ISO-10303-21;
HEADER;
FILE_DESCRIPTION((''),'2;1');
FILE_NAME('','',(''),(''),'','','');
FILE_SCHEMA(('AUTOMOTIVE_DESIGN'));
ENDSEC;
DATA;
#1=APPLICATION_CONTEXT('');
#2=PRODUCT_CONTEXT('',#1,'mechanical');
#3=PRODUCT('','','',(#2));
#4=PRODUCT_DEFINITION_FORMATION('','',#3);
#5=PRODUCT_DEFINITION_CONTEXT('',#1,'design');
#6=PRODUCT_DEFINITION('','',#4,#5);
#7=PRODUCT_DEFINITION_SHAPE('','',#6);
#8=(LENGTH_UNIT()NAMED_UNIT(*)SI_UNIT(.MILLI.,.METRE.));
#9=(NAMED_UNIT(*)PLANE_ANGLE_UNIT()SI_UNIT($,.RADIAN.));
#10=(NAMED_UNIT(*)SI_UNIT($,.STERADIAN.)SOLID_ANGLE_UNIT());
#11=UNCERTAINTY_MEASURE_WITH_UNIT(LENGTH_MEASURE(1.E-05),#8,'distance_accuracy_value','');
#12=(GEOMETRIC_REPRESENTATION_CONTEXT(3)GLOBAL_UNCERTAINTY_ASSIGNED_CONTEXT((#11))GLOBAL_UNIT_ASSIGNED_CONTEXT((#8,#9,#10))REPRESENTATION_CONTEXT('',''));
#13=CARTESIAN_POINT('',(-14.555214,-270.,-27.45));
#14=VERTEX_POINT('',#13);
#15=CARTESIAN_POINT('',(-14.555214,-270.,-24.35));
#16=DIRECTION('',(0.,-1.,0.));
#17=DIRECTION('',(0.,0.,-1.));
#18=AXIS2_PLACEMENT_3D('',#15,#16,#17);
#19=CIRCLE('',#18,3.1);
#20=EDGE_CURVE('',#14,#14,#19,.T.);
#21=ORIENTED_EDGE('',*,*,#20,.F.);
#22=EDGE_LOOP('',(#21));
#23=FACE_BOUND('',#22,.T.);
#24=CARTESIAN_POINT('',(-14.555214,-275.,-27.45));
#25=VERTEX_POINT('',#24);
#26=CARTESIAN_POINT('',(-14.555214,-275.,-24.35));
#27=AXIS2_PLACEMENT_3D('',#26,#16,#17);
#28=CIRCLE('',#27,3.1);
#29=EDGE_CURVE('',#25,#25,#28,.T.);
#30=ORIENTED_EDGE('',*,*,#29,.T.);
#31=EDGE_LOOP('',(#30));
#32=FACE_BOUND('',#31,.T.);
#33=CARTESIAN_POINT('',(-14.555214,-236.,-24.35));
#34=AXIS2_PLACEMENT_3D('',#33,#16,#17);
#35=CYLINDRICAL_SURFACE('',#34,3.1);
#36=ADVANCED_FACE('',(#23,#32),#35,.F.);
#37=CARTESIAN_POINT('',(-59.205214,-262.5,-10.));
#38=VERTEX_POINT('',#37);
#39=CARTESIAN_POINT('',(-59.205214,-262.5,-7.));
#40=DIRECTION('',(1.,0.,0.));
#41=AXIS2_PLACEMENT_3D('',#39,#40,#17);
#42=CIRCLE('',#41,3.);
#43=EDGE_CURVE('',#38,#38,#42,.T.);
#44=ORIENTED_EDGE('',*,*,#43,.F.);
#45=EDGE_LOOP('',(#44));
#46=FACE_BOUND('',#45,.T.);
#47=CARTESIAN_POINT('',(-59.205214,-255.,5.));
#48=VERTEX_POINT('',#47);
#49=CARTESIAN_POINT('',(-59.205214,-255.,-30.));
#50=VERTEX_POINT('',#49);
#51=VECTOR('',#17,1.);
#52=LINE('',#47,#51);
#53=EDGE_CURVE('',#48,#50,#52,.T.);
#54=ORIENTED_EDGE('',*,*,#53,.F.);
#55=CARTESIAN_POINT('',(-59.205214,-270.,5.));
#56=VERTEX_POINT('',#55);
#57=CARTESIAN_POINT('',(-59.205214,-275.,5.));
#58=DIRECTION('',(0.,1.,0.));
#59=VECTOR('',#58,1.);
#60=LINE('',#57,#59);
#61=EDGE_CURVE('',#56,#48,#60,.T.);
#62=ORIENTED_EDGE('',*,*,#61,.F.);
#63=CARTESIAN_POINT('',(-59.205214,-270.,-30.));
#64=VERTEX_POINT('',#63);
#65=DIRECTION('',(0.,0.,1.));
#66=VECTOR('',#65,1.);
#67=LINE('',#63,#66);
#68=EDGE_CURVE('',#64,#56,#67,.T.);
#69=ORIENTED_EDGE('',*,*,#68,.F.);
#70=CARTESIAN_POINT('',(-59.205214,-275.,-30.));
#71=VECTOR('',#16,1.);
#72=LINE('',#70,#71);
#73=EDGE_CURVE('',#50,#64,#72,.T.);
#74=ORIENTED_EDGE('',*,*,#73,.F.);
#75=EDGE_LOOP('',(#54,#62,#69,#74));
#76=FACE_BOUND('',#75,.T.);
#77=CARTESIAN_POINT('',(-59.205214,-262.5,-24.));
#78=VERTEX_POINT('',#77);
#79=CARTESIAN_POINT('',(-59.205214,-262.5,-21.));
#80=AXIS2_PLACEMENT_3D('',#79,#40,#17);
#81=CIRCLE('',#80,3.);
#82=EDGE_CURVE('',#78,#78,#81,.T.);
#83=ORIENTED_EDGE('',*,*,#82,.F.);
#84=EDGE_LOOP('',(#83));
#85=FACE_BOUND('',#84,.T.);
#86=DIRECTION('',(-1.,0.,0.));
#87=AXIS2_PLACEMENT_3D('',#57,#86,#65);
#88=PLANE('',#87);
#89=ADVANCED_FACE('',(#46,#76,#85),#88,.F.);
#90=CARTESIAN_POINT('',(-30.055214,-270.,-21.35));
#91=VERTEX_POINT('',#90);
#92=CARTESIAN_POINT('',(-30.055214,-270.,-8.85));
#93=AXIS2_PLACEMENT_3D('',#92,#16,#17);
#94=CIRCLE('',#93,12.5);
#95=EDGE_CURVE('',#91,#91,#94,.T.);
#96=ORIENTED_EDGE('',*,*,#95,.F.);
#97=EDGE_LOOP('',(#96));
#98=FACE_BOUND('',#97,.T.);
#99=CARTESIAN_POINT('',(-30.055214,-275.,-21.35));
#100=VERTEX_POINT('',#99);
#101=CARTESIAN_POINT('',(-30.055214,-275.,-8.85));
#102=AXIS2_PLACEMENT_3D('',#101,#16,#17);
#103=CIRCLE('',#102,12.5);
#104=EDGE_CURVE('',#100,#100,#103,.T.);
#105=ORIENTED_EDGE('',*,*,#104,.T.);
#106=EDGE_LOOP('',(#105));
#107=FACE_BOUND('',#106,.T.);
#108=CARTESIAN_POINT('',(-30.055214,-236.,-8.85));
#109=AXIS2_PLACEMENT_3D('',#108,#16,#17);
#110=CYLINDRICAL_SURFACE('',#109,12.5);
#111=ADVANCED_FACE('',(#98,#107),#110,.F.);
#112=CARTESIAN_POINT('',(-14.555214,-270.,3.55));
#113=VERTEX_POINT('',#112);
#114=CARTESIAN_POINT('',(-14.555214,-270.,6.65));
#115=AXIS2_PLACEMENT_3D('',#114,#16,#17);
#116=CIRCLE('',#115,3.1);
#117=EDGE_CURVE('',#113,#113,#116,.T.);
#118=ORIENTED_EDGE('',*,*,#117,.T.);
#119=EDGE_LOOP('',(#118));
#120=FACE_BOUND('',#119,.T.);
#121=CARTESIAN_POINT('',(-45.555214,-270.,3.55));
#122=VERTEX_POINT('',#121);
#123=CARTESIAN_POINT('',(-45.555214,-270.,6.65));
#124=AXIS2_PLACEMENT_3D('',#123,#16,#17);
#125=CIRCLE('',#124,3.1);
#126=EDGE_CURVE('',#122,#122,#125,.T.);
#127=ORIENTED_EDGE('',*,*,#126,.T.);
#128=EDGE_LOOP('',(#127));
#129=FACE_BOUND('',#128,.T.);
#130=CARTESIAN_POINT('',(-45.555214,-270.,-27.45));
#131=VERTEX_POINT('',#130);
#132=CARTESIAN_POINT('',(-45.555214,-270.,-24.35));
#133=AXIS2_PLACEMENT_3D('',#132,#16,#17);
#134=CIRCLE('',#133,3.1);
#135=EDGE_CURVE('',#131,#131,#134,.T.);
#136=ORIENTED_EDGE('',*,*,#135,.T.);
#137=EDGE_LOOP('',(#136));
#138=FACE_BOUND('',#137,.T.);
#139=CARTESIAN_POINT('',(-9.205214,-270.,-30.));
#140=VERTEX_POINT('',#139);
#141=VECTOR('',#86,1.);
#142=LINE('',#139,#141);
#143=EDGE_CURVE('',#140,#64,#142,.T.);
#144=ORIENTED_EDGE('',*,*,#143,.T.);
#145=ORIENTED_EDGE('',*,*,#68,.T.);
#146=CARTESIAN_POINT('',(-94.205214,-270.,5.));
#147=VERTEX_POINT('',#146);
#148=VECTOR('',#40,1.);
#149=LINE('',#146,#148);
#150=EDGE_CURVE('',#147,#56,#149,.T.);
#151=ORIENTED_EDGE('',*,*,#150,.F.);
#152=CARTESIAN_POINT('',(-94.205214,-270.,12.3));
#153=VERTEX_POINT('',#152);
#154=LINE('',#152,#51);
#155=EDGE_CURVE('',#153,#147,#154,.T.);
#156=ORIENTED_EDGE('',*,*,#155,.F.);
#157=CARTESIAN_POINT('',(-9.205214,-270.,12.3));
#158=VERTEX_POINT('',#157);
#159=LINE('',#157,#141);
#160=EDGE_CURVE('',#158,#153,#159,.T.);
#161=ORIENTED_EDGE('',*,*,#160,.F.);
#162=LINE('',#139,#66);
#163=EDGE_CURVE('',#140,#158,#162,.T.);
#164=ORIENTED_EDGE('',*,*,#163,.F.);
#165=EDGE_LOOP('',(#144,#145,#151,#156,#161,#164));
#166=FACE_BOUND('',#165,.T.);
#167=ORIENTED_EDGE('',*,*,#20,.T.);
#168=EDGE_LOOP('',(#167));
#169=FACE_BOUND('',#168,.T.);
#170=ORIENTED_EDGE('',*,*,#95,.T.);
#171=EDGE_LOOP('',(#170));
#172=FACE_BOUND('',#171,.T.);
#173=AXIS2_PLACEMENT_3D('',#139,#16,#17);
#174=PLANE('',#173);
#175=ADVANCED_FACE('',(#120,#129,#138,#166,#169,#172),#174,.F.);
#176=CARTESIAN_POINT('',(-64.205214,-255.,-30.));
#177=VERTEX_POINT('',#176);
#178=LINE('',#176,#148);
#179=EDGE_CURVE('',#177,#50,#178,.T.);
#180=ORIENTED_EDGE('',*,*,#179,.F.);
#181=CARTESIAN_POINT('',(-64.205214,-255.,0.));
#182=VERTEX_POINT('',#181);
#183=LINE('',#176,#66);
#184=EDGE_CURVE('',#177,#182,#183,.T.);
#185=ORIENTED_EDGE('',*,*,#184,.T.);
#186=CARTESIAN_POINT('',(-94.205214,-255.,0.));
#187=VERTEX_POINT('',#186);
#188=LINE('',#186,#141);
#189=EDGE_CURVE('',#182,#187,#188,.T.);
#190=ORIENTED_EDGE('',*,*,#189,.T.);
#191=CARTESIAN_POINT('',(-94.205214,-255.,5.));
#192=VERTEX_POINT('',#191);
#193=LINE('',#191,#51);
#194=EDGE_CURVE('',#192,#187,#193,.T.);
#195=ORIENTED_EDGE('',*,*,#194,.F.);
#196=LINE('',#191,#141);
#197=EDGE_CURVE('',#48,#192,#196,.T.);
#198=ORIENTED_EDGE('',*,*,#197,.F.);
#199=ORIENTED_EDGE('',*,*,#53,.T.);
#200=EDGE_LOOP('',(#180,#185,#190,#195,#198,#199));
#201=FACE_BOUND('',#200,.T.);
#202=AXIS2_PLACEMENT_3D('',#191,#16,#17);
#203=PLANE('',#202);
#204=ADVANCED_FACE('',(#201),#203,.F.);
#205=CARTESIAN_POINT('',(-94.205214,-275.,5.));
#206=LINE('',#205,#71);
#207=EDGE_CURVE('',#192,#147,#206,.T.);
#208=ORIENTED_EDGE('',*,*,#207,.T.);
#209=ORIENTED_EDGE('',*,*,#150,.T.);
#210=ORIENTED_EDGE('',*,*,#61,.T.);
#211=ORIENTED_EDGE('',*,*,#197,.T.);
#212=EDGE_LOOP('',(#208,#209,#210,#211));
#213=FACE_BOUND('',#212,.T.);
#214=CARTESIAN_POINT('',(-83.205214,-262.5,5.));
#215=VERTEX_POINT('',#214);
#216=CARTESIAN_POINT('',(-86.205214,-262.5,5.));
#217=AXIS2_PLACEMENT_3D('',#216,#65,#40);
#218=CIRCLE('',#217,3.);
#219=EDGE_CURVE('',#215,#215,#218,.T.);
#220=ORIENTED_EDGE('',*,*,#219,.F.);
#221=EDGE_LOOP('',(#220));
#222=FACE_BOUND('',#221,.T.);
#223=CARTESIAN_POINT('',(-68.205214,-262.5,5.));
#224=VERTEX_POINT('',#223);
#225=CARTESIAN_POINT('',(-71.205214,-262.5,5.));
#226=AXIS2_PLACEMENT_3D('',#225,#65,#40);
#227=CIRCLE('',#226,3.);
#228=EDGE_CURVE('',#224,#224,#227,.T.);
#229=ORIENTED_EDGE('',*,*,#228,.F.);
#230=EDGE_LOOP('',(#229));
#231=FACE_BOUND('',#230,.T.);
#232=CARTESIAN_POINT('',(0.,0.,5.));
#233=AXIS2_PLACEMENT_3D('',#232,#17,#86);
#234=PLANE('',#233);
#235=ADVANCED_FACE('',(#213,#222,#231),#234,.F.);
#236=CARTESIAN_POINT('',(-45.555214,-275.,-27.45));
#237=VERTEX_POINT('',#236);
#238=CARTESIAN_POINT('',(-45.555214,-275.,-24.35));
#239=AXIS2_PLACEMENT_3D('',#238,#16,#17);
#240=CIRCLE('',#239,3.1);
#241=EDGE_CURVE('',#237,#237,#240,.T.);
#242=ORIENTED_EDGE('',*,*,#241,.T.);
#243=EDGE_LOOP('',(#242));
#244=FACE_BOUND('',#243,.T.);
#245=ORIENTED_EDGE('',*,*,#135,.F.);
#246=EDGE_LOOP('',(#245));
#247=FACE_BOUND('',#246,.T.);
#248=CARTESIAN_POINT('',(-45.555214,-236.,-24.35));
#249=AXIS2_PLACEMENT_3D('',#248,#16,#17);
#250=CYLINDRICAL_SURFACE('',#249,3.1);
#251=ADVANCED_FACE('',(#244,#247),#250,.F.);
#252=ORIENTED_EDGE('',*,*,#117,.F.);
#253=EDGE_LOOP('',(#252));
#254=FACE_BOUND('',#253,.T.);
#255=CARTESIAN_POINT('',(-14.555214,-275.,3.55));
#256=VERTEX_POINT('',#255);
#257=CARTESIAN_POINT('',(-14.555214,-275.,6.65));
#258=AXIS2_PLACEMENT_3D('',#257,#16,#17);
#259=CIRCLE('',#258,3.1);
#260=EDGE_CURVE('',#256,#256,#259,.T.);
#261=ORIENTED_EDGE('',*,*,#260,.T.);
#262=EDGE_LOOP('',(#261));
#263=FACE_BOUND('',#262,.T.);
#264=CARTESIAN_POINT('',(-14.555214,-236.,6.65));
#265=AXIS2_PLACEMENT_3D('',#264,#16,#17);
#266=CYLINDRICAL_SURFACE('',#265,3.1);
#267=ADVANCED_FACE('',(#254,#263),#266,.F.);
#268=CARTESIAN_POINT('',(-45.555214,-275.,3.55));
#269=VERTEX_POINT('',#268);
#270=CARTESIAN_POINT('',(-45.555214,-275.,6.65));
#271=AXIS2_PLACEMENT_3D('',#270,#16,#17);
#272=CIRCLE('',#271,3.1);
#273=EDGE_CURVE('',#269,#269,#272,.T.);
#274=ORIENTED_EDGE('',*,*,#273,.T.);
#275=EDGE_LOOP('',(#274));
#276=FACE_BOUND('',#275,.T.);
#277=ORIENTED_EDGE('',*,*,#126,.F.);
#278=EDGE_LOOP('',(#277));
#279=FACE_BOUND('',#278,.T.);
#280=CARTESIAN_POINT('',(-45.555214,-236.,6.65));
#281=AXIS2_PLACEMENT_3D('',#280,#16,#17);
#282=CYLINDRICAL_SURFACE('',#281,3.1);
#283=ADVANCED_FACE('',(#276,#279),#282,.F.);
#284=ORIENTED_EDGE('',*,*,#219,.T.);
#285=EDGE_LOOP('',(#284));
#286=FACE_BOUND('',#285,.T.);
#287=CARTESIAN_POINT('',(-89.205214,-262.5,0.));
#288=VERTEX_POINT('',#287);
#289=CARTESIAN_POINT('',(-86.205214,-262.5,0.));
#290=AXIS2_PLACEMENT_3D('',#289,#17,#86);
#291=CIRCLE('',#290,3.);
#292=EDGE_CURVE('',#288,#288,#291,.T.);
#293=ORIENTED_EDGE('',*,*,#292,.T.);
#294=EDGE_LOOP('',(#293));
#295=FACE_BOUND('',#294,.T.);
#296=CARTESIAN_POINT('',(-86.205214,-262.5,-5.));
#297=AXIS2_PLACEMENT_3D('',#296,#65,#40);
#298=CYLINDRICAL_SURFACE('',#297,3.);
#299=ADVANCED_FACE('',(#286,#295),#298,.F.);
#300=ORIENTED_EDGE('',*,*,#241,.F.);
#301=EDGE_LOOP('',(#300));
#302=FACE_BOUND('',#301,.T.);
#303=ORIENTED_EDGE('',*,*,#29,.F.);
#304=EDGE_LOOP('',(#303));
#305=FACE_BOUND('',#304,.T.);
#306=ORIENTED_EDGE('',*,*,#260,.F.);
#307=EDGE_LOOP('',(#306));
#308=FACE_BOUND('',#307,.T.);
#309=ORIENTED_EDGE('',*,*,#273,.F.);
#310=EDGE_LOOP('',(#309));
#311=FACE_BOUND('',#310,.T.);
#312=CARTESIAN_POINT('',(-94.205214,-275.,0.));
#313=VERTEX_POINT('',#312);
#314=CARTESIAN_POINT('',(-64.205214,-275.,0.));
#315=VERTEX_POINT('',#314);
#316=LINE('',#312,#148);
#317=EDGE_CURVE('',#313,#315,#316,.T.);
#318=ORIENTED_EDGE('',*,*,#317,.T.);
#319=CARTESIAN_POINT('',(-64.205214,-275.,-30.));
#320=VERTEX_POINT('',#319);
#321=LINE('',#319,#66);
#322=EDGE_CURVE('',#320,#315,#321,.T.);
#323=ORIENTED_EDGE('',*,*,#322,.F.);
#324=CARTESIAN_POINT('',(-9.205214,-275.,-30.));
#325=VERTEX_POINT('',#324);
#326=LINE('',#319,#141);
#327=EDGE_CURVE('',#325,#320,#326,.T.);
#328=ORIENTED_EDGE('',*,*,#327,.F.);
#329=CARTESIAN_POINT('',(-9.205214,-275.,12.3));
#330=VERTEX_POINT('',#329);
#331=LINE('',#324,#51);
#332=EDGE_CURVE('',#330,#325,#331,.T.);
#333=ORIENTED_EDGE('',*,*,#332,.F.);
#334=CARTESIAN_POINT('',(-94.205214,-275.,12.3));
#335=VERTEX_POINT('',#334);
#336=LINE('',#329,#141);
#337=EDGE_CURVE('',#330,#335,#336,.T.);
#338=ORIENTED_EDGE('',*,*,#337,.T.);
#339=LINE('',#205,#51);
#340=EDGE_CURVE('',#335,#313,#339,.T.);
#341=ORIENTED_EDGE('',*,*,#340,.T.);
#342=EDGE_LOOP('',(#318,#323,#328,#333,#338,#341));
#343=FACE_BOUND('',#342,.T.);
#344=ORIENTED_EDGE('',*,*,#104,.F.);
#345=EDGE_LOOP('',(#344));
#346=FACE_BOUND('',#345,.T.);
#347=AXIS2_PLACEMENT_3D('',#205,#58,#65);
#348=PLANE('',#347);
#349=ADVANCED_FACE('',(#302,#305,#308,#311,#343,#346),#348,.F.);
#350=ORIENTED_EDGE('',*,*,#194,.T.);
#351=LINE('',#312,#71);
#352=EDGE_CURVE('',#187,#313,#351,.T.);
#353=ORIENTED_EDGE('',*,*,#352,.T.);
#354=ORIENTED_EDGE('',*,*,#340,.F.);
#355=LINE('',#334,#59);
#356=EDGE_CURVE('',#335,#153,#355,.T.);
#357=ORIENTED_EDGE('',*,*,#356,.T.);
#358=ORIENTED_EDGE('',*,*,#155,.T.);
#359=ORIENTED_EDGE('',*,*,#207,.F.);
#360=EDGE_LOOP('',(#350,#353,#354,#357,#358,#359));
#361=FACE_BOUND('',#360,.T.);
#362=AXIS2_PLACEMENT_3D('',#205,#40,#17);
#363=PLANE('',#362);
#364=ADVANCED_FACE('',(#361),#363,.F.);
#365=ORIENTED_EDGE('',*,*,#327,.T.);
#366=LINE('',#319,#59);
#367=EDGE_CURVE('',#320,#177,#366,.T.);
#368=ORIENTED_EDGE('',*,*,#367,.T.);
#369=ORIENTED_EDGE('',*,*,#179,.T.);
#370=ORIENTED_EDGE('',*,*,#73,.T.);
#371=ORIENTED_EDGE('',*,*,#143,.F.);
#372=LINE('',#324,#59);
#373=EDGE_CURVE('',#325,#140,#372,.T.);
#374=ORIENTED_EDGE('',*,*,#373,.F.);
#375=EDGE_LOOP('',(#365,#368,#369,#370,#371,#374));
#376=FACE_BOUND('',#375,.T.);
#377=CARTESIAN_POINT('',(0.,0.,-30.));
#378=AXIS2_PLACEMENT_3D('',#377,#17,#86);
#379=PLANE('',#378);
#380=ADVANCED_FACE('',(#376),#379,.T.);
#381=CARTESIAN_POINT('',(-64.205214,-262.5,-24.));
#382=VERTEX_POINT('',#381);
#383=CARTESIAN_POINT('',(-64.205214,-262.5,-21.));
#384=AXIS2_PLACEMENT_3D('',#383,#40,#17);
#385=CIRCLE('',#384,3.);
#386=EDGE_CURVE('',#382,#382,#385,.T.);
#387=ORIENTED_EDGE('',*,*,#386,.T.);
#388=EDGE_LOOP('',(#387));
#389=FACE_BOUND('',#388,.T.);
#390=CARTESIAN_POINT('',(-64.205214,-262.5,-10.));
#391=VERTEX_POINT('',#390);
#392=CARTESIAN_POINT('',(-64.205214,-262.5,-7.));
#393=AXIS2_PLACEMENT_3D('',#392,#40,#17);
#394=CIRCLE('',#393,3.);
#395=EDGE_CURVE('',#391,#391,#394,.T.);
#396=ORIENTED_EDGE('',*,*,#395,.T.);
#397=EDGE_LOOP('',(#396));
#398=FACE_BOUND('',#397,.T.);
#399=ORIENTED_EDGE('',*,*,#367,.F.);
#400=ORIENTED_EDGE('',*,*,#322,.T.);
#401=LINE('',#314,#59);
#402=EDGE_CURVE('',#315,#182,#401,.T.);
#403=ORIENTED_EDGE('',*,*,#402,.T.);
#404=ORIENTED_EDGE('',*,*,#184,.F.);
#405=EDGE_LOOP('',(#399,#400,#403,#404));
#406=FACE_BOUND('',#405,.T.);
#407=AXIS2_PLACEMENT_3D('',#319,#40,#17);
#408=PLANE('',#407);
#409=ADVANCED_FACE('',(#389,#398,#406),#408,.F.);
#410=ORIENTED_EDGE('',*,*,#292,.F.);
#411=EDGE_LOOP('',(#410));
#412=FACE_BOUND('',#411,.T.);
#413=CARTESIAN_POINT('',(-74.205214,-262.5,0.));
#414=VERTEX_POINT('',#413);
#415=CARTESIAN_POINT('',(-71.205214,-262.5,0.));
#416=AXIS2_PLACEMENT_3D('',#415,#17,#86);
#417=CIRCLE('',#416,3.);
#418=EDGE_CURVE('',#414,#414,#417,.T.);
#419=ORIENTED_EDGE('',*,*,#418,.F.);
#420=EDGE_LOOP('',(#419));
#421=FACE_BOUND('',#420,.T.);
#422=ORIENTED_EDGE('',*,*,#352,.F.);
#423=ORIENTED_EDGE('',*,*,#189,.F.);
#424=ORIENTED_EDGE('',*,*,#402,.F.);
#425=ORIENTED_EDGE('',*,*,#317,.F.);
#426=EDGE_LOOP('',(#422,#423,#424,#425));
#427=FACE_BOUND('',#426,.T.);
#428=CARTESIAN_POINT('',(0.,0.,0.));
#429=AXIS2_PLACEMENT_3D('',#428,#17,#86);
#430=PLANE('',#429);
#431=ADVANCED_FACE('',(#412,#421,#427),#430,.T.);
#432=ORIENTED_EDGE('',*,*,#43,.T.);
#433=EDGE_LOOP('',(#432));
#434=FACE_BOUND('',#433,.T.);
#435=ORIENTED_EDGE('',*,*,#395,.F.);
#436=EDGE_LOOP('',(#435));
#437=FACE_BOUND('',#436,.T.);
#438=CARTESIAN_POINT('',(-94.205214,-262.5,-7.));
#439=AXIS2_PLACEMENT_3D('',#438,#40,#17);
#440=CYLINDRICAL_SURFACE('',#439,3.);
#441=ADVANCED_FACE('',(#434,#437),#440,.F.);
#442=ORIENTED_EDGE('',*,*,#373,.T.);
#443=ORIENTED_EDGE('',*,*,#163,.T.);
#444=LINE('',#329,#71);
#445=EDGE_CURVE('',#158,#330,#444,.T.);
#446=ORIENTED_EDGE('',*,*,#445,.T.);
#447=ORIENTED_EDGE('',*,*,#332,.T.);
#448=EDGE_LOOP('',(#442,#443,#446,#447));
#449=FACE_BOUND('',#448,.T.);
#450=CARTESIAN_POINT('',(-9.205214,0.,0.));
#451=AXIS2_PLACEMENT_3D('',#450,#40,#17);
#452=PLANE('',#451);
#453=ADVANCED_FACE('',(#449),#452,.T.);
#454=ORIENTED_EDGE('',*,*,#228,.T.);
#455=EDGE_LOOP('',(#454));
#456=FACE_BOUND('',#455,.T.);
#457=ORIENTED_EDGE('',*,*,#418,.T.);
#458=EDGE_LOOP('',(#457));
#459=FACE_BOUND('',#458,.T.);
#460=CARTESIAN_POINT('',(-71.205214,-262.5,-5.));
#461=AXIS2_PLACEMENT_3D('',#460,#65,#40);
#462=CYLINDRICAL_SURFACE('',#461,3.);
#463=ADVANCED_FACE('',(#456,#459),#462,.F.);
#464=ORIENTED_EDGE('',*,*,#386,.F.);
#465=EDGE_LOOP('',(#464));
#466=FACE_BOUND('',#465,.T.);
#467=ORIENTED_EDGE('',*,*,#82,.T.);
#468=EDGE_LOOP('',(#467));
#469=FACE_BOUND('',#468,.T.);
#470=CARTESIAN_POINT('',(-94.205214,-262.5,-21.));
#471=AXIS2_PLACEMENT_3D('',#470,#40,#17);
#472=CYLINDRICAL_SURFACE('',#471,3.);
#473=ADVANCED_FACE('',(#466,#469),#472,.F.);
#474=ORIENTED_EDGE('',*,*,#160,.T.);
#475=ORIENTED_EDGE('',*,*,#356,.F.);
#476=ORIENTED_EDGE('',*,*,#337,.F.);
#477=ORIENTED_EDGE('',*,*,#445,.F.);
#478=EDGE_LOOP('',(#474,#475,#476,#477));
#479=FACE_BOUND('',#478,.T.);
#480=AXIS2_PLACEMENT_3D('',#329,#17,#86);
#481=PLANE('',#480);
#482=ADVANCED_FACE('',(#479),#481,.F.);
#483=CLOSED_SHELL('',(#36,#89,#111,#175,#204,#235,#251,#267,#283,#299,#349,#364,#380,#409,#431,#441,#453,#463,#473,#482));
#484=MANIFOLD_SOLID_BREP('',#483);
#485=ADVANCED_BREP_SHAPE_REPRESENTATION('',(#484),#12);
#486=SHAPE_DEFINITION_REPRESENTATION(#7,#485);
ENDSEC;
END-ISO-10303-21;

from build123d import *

# Parameters (mm, degrees)
ESBO_O1_W                = 35
ESBO_O1_H                = 20
RESSALTO_EXTRUS_O1_DEPTH = 5
ESBO_O2_W                = 5
ESBO_O2_H                = 20
RESSALTO_EXTRUS_O2_DEPTH = 30
ESBO_O4_W                = 42.3
ESBO_O4_H                = 5
RESSALTO_EXTRUS_O3_DEPTH = 50
ESBO_O5_W                = 7.3
ESBO_O5_H                = 5
RESSALTO_EXTRUS_O4_DEPTH = 35
ESBO_O6_R                = 3.1
ESBO_O6_R_2              = 12.5
CORTE_EXTRUS_O1_DEPTH    = 39
ESBO_O7_R                = 3
CORTE_EXTRUS_O2_DEPTH    = 36
ESBO_O8_R                = 3
CORTE_EXTRUS_O3_DEPTH    = 10


with BuildPart() as part:
    # Esboço1 → Ressalto-extrusão1 (new body)
    with BuildSketch(Plane.XY):
        with Locations((-76.705213928, -265)):
            Rectangle(ESBO_O1_W, ESBO_O1_H)
    extrude(amount=RESSALTO_EXTRUS_O1_DEPTH)

    # Esboço2 → Ressalto-extrusão2 (add)
    with BuildSketch(Plane(origin=(0, 0, 0), x_dir=(-1, 0, 0), z_dir=(0, 0, -1))):
        with Locations((61.705213928, -265)):
            Rectangle(ESBO_O2_W, ESBO_O2_H)
    extrude(amount=RESSALTO_EXTRUS_O2_DEPTH)

    # Esboço4 → Ressalto-extrusão3 (add)
    with BuildSketch(Plane(origin=(-59.205213928, 0, 0), x_dir=(0, 0, -1), z_dir=(1, 0, 0))):
        with Locations((8.85, -272.5)):
            Rectangle(ESBO_O4_W, ESBO_O4_H)
    extrude(amount=RESSALTO_EXTRUS_O3_DEPTH)

    # Esboço5 → Ressalto-extrusão4 (add)
    with BuildSketch(Plane.ZY.offset(59.205213928)):
        with Locations((8.65, -272.5)):
            Rectangle(ESBO_O5_W, ESBO_O5_H)
    extrude(amount=RESSALTO_EXTRUS_O4_DEPTH)

    # Esboço6 → Corte-extrusão1 (cut)
    with BuildSketch(Plane.XZ.offset(275)):
        with Locations((-14.555213928, 6.65)):
            Circle(ESBO_O6_R)
        with Locations((-45.555213928, -24.35)):
            Circle(ESBO_O6_R)
        with Locations((-30.055213928, -8.85)):
            Circle(ESBO_O6_R_2)
        with Locations((-45.555213928, 6.65)):
            Circle(ESBO_O6_R)
        with Locations((-14.555213928, -24.35)):
            Circle(ESBO_O6_R)
    extrude(amount=-CORTE_EXTRUS_O1_DEPTH, mode=Mode.SUBTRACT)

    # Esboço7 → Corte-extrusão2 (cut, through all)
    with BuildSketch(Plane(origin=(-59.205213928, 0, 0), x_dir=(0, 0, -1), z_dir=(1, 0, 0))):
        with Locations((21, -262.5)):
            Circle(ESBO_O7_R)
        with Locations((7, -262.5)):
            Circle(ESBO_O7_R)
    extrude(amount=-CORTE_EXTRUS_O2_DEPTH, mode=Mode.SUBTRACT)

    # Esboço8 → Corte-extrusão3 (cut)
    with BuildSketch(Plane.XY.offset(5)):
        with Locations((-71.205213928, -262.5)):
            Circle(ESBO_O8_R)
        with Locations((-86.205213928, -262.5)):
            Circle(ESBO_O8_R)
    extrude(amount=-CORTE_EXTRUS_O3_DEPTH, mode=Mode.SUBTRACT)


solid = part.part
